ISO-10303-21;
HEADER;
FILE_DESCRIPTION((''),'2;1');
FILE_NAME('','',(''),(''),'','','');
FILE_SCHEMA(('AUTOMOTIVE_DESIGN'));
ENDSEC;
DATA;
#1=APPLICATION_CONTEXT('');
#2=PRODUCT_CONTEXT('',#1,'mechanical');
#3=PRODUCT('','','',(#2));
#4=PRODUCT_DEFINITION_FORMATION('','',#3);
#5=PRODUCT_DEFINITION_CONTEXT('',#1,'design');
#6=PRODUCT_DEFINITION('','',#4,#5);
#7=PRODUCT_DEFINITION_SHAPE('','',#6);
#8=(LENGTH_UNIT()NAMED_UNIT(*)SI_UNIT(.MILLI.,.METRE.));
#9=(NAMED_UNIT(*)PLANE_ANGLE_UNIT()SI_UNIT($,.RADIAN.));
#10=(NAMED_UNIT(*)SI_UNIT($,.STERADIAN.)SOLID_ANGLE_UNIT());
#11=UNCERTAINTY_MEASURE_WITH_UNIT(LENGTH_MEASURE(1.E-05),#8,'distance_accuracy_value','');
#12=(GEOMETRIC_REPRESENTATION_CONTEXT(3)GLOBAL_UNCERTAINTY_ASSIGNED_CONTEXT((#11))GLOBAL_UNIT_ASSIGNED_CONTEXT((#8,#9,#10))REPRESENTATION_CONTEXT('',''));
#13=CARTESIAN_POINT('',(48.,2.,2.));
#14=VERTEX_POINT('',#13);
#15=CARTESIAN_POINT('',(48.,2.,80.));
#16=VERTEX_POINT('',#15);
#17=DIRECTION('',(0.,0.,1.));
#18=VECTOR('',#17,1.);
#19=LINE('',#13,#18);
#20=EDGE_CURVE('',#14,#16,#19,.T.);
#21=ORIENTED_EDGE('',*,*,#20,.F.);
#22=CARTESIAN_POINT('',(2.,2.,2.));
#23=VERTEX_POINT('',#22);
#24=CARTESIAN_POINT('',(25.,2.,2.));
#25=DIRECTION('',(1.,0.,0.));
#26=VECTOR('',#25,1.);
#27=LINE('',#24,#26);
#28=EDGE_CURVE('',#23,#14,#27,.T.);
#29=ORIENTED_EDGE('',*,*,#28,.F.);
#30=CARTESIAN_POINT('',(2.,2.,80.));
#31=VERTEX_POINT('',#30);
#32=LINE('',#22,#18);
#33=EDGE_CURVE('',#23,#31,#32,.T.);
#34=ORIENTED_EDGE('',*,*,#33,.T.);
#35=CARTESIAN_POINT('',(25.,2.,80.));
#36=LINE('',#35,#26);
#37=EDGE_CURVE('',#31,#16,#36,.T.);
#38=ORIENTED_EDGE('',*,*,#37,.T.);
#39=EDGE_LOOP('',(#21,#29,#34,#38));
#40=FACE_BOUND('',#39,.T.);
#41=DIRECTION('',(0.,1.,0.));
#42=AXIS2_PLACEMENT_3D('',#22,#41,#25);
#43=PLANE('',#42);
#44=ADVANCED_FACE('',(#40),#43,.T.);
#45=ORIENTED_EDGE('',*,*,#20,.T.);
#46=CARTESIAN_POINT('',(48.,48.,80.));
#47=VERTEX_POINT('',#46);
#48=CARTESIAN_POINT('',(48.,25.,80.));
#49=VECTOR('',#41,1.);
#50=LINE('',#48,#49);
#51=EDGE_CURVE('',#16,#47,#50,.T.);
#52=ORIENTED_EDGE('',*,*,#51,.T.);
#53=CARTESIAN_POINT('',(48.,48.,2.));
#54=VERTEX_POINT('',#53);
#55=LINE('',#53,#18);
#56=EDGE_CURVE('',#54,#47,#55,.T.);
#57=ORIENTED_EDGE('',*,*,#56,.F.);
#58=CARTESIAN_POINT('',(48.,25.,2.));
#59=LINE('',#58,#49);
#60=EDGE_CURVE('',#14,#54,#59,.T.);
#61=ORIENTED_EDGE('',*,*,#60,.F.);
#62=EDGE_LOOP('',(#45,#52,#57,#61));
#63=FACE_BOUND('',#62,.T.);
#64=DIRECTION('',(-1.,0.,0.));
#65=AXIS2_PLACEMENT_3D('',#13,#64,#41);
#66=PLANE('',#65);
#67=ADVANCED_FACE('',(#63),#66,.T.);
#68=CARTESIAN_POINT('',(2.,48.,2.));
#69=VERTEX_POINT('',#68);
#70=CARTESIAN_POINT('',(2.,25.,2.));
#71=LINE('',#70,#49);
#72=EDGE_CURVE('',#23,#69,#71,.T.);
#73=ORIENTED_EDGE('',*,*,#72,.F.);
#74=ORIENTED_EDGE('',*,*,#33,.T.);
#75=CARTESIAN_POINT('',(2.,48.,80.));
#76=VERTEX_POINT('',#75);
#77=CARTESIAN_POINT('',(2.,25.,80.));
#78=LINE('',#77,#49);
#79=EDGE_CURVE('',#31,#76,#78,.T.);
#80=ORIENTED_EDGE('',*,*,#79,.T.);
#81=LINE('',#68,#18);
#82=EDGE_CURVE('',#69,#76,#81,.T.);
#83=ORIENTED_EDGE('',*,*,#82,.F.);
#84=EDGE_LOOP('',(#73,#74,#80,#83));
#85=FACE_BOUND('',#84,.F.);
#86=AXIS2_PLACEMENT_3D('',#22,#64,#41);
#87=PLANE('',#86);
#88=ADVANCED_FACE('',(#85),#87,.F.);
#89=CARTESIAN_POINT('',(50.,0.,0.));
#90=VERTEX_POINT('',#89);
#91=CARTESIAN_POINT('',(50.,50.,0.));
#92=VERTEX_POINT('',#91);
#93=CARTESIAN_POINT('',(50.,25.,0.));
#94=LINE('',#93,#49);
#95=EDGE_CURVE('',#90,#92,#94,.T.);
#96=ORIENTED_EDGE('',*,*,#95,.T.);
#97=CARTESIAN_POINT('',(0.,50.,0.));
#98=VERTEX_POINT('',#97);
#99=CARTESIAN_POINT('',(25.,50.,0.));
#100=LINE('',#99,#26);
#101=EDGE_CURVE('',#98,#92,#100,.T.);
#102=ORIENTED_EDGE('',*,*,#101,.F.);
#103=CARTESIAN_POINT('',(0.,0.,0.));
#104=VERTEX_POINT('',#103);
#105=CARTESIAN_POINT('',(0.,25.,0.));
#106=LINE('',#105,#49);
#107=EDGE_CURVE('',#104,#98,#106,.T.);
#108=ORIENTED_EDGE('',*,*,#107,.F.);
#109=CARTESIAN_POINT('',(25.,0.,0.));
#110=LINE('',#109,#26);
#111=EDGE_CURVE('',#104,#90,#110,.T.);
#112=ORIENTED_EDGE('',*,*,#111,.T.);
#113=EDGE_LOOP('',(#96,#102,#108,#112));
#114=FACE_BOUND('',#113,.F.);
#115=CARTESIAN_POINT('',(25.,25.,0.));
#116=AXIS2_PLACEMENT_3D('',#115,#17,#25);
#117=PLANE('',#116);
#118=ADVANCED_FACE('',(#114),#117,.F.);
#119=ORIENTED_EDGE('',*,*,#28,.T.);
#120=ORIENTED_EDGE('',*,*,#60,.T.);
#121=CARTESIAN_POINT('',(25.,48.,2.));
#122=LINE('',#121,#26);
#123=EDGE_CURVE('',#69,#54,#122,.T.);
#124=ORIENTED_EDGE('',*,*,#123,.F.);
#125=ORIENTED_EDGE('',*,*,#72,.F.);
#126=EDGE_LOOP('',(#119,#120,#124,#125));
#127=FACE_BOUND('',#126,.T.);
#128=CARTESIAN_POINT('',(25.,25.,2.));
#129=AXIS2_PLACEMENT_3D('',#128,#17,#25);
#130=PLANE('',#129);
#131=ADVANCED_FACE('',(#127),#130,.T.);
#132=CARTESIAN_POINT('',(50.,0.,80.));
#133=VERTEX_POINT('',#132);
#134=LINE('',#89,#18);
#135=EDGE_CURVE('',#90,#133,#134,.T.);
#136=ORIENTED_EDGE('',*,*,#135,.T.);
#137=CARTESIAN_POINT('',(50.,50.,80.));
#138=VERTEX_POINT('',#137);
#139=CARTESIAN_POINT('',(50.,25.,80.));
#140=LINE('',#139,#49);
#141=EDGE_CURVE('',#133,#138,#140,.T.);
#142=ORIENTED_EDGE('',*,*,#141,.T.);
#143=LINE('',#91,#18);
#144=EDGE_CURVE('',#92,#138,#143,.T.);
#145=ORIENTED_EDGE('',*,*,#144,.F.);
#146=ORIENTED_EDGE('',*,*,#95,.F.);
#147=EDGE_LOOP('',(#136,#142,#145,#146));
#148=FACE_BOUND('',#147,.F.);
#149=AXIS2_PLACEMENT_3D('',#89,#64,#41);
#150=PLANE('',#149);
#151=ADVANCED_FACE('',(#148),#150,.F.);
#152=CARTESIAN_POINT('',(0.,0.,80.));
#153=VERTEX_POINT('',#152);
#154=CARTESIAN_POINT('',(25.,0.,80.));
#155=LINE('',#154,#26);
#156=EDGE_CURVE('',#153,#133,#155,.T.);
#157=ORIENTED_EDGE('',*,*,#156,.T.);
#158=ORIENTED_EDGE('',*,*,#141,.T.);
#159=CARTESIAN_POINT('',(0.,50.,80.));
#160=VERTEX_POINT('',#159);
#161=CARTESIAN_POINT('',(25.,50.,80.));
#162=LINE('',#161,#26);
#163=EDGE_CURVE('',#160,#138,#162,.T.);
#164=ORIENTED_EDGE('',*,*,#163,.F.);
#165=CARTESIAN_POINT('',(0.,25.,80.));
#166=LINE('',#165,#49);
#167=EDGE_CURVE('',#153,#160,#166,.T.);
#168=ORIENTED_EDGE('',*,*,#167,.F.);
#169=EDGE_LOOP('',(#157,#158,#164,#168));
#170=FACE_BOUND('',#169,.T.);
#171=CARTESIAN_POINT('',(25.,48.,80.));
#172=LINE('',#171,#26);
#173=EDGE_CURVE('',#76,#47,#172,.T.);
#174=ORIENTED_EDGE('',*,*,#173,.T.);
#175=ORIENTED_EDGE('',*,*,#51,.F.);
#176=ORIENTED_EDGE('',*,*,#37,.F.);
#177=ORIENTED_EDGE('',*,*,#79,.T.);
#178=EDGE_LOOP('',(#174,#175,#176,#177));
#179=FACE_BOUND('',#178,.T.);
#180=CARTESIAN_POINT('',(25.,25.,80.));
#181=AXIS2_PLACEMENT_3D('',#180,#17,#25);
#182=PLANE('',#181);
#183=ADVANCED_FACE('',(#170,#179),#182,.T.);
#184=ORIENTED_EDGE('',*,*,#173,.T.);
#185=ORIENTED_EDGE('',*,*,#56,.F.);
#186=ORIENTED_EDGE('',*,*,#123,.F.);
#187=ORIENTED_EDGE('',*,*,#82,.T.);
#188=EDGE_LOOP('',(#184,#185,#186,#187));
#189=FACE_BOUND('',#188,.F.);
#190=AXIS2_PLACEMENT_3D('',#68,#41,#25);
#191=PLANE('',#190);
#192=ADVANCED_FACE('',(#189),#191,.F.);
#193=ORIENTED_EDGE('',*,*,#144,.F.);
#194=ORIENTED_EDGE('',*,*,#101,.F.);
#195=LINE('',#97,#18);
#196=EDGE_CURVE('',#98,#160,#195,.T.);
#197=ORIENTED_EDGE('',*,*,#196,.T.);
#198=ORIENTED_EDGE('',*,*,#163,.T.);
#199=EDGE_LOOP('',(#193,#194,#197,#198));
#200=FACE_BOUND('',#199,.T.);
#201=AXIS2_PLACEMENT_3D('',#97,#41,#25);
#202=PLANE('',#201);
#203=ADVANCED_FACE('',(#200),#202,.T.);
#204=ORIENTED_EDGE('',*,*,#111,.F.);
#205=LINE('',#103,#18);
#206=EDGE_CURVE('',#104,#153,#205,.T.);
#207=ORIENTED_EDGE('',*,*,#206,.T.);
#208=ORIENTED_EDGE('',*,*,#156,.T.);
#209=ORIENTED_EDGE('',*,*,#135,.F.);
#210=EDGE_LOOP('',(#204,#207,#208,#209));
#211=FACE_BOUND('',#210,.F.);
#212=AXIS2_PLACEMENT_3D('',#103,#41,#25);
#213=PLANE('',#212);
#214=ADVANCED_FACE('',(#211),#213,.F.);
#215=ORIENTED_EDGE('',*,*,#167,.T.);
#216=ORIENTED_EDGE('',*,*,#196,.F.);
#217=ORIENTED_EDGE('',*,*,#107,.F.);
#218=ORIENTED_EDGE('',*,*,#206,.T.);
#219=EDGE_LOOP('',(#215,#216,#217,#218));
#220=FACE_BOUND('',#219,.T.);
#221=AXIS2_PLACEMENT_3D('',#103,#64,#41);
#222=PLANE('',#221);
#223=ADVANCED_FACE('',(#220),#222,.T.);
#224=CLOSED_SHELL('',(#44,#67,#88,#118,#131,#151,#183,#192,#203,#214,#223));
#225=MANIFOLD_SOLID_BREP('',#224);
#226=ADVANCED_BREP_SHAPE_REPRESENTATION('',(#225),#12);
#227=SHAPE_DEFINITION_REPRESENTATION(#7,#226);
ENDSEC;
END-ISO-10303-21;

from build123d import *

# Parameters (mm, degrees)
BOX001_W     = 46
BOX001_H     = 46
BOX001_DEPTH = 78
BOX_W        = 50
BOX_H        = 50
BOX_DEPTH    = 80


with BuildPart() as cubo_resta:
    # Box001 → Box001 (new body)
    with BuildSketch(Plane(origin=(2, 2, 2), x_dir=(1, 0, 0), z_dir=(0, 0, 1))):
        with Locations((23, 23)):
            Rectangle(BOX001_W, BOX001_H)
    extrude(amount=BOX001_DEPTH)


with BuildPart() as portalapices:
    # Box → Box (new body)
    with BuildSketch(Plane.XY):
        with Locations((25, 25)):
            Rectangle(BOX_W, BOX_H)
    extrude(amount=BOX_DEPTH)

    # Cut: cut Cubo_resta
    add(cubo_resta.part, mode=Mode.SUBTRACT)


solid = portalapices.part
